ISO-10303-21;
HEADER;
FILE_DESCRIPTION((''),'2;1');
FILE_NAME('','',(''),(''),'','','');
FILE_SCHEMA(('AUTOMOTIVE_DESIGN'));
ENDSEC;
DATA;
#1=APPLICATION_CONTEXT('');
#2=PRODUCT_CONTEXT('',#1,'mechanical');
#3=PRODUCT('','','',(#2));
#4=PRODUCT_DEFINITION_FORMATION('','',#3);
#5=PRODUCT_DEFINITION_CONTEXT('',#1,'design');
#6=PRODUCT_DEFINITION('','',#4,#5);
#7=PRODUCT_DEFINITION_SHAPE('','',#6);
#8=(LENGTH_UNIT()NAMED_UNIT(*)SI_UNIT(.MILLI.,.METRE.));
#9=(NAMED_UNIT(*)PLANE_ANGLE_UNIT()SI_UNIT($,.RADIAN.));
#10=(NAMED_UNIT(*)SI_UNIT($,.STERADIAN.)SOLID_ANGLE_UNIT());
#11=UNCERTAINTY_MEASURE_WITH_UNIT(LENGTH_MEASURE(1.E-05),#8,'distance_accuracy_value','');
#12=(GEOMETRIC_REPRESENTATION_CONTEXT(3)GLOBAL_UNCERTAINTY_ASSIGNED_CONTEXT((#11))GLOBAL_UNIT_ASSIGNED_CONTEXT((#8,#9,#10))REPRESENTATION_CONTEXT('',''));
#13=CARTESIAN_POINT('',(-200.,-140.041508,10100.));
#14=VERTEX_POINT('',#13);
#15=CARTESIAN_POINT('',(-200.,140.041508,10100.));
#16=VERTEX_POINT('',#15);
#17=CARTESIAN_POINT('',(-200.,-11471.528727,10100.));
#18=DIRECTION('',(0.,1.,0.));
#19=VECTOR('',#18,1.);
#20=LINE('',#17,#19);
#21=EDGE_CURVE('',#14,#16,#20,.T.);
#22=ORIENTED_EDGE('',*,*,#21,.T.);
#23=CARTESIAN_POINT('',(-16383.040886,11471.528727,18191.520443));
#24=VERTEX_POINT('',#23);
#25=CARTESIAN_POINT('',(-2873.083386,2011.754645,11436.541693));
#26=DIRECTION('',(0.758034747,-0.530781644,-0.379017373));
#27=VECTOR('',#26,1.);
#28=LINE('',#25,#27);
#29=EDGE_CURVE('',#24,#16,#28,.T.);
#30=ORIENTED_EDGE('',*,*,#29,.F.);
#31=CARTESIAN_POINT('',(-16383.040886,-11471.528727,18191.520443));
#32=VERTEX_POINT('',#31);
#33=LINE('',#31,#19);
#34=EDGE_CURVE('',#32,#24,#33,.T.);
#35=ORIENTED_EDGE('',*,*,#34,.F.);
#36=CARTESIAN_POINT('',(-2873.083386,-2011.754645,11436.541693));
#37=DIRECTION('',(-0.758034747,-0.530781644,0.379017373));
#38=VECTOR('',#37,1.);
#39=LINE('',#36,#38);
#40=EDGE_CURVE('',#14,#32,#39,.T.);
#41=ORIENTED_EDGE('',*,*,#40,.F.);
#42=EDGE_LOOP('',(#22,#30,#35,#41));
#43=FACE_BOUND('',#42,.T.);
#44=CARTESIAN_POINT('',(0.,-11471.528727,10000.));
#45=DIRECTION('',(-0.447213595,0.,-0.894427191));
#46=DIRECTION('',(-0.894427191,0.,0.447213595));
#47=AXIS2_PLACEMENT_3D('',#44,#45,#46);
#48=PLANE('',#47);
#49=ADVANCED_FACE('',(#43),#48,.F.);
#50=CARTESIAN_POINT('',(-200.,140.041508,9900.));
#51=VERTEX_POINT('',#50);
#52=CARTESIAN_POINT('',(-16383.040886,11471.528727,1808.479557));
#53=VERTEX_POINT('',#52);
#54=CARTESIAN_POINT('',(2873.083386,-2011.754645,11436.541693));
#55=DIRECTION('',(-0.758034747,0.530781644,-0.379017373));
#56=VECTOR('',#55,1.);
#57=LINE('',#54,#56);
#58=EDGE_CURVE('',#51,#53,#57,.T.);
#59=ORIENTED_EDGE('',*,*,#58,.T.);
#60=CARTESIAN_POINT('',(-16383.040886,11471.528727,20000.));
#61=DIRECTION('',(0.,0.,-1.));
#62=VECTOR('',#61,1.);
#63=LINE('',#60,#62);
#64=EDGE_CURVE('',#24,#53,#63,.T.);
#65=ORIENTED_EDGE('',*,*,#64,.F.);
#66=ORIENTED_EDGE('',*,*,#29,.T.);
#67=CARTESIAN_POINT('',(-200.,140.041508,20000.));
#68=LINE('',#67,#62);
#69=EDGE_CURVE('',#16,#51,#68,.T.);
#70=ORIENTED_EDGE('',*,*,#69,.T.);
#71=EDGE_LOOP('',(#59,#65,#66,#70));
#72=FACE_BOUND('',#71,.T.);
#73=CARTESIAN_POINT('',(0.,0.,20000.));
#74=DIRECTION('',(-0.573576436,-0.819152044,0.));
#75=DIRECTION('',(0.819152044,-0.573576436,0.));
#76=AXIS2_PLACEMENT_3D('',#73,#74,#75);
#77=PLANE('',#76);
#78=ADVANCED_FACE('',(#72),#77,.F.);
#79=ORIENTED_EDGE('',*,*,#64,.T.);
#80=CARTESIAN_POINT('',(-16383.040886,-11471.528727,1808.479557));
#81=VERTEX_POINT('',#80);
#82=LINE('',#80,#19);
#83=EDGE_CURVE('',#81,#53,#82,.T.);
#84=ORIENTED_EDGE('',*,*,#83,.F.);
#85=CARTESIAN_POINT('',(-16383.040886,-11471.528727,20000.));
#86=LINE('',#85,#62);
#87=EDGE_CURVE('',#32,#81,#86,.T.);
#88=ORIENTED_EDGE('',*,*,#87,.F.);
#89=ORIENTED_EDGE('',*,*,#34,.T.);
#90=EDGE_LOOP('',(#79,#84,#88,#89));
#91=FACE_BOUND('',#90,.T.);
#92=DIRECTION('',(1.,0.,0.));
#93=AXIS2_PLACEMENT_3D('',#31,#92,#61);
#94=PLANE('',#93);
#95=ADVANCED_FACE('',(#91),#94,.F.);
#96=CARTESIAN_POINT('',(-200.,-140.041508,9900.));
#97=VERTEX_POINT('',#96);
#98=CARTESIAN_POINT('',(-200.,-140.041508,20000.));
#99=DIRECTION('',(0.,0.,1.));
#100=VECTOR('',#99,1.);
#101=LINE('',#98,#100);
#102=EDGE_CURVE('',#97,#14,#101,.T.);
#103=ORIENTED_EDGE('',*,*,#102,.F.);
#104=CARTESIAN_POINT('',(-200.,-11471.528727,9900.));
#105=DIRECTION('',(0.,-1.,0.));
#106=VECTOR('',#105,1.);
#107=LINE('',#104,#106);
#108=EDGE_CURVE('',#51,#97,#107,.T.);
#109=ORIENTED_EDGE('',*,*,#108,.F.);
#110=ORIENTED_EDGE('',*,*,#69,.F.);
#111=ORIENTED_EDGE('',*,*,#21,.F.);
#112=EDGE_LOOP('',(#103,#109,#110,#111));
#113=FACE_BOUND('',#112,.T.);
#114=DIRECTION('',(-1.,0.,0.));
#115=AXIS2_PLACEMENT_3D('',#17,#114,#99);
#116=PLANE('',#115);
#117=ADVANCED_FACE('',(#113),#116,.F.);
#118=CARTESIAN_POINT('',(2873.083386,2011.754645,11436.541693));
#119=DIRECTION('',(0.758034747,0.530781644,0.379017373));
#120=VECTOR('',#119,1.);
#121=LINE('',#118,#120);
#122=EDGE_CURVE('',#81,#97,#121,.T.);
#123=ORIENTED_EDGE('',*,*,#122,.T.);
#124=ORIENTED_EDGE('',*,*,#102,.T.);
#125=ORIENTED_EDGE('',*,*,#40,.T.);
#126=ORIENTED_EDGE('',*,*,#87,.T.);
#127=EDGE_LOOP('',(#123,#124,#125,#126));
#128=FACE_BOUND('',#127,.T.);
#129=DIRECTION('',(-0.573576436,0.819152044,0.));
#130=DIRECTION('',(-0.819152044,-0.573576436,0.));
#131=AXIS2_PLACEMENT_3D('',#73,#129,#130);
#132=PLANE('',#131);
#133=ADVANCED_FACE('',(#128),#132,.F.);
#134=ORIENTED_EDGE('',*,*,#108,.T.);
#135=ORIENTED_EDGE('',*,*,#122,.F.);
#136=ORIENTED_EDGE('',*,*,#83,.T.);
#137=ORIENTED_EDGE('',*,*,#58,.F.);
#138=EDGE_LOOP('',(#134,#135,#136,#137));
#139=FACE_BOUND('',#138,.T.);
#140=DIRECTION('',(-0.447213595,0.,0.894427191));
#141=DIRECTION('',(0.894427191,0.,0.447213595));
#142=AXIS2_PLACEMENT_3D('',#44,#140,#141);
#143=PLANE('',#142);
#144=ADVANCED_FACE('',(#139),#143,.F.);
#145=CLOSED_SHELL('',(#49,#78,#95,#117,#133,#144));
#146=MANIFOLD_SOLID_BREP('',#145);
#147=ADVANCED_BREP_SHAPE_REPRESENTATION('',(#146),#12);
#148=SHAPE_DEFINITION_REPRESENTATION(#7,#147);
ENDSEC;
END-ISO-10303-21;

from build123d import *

# Parameters (mm, degrees)
BOSS_EXTRUDE1_DEPTH     = 20000
CUT_EXTRUDE1_DEPTH      = 30523.057128163
CUT_EXTRUDE1_DEPTH_BACK = 30523.057128163
CUT_EXTRUDE2_DEPTH      = 30523.057128163
CUT_EXTRUDE2_DEPTH_BACK = 30523.057128163
CUT_EXTRUDE3_DEPTH      = 30523.057128163
CUT_EXTRUDE3_DEPTH_BACK = 30523.057128163
CUT_EXTRUDE4_DEPTH      = 30523.057128163
CUT_EXTRUDE4_DEPTH_BACK = 30523.057128163


with BuildPart() as part:
    # Sketch3 → Boss-Extrude1 (new body)
    with BuildSketch(Plane.XY):
        with BuildLine():
            Line((0, 0), (-16383.04088578, 11471.528727021))
            ThreePointArc((-16383.04088578, 11471.528727021), (-20000, 0), (-16383.04088578, -11471.528727021))
            Line((-16383.04088578, -11471.528727021), (0, 0))
        make_face()
    extrude(amount=BOSS_EXTRUDE1_DEPTH)

    # Sketch20 → Cut-Extrude1 (cut, two sides: drawn at the far end of the back side and taken through both)
    with BuildSketch(Plane(origin=(0, 0, 0), x_dir=(1, 0, 0), z_dir=(0, 1, 0)).offset(-CUT_EXTRUDE1_DEPTH_BACK)):
        Polygon((0, -10000), (-20000, -20000), (0, -20000), align=None)
    extrude(amount=CUT_EXTRUDE1_DEPTH + CUT_EXTRUDE1_DEPTH_BACK, mode=Mode.SUBTRACT)

    # Sketch22 → Cut-Extrude2 (cut, two sides: drawn at the far end of the back side and taken through both)
    with BuildSketch(Plane(origin=(0, 0, 0), x_dir=(1, 0, 0), z_dir=(0, 1, 0)).offset(-CUT_EXTRUDE2_DEPTH_BACK)):
        Polygon((0, -10000), (-20000, 0), (0, 0), align=None)
    extrude(amount=CUT_EXTRUDE2_DEPTH + CUT_EXTRUDE2_DEPTH_BACK, mode=Mode.SUBTRACT)

    # Sketch23 → Cut-Extrude3 (cut, two sides: drawn at the far end of the back side and taken through both)
    with BuildSketch(Plane(origin=(0, 0, 0), x_dir=(1, 0, 0), z_dir=(0, 1, 0)).offset(-CUT_EXTRUDE3_DEPTH_BACK)):
        Polygon((-200, -10100), (-200, -9900), (0, -10000), align=None)
    extrude(amount=CUT_EXTRUDE3_DEPTH + CUT_EXTRUDE3_DEPTH_BACK, mode=Mode.SUBTRACT)

    # Sketch24 → Cut-Extrude4 (cut, two sides: drawn at the far end of the back side and taken through both)
    with BuildSketch(Plane(origin=(0, 0, 0), x_dir=(1, 0, 0), z_dir=(0, 1, 0)).offset(-CUT_EXTRUDE4_DEPTH_BACK)):
        Polygon((-16383.04088578, -18191.52044289), (-16383.04088578, -1808.47955711), (-20000, 0), (-20000, -20000), align=None)
    extrude(amount=CUT_EXTRUDE4_DEPTH + CUT_EXTRUDE4_DEPTH_BACK, mode=Mode.SUBTRACT)


solid = part.part
